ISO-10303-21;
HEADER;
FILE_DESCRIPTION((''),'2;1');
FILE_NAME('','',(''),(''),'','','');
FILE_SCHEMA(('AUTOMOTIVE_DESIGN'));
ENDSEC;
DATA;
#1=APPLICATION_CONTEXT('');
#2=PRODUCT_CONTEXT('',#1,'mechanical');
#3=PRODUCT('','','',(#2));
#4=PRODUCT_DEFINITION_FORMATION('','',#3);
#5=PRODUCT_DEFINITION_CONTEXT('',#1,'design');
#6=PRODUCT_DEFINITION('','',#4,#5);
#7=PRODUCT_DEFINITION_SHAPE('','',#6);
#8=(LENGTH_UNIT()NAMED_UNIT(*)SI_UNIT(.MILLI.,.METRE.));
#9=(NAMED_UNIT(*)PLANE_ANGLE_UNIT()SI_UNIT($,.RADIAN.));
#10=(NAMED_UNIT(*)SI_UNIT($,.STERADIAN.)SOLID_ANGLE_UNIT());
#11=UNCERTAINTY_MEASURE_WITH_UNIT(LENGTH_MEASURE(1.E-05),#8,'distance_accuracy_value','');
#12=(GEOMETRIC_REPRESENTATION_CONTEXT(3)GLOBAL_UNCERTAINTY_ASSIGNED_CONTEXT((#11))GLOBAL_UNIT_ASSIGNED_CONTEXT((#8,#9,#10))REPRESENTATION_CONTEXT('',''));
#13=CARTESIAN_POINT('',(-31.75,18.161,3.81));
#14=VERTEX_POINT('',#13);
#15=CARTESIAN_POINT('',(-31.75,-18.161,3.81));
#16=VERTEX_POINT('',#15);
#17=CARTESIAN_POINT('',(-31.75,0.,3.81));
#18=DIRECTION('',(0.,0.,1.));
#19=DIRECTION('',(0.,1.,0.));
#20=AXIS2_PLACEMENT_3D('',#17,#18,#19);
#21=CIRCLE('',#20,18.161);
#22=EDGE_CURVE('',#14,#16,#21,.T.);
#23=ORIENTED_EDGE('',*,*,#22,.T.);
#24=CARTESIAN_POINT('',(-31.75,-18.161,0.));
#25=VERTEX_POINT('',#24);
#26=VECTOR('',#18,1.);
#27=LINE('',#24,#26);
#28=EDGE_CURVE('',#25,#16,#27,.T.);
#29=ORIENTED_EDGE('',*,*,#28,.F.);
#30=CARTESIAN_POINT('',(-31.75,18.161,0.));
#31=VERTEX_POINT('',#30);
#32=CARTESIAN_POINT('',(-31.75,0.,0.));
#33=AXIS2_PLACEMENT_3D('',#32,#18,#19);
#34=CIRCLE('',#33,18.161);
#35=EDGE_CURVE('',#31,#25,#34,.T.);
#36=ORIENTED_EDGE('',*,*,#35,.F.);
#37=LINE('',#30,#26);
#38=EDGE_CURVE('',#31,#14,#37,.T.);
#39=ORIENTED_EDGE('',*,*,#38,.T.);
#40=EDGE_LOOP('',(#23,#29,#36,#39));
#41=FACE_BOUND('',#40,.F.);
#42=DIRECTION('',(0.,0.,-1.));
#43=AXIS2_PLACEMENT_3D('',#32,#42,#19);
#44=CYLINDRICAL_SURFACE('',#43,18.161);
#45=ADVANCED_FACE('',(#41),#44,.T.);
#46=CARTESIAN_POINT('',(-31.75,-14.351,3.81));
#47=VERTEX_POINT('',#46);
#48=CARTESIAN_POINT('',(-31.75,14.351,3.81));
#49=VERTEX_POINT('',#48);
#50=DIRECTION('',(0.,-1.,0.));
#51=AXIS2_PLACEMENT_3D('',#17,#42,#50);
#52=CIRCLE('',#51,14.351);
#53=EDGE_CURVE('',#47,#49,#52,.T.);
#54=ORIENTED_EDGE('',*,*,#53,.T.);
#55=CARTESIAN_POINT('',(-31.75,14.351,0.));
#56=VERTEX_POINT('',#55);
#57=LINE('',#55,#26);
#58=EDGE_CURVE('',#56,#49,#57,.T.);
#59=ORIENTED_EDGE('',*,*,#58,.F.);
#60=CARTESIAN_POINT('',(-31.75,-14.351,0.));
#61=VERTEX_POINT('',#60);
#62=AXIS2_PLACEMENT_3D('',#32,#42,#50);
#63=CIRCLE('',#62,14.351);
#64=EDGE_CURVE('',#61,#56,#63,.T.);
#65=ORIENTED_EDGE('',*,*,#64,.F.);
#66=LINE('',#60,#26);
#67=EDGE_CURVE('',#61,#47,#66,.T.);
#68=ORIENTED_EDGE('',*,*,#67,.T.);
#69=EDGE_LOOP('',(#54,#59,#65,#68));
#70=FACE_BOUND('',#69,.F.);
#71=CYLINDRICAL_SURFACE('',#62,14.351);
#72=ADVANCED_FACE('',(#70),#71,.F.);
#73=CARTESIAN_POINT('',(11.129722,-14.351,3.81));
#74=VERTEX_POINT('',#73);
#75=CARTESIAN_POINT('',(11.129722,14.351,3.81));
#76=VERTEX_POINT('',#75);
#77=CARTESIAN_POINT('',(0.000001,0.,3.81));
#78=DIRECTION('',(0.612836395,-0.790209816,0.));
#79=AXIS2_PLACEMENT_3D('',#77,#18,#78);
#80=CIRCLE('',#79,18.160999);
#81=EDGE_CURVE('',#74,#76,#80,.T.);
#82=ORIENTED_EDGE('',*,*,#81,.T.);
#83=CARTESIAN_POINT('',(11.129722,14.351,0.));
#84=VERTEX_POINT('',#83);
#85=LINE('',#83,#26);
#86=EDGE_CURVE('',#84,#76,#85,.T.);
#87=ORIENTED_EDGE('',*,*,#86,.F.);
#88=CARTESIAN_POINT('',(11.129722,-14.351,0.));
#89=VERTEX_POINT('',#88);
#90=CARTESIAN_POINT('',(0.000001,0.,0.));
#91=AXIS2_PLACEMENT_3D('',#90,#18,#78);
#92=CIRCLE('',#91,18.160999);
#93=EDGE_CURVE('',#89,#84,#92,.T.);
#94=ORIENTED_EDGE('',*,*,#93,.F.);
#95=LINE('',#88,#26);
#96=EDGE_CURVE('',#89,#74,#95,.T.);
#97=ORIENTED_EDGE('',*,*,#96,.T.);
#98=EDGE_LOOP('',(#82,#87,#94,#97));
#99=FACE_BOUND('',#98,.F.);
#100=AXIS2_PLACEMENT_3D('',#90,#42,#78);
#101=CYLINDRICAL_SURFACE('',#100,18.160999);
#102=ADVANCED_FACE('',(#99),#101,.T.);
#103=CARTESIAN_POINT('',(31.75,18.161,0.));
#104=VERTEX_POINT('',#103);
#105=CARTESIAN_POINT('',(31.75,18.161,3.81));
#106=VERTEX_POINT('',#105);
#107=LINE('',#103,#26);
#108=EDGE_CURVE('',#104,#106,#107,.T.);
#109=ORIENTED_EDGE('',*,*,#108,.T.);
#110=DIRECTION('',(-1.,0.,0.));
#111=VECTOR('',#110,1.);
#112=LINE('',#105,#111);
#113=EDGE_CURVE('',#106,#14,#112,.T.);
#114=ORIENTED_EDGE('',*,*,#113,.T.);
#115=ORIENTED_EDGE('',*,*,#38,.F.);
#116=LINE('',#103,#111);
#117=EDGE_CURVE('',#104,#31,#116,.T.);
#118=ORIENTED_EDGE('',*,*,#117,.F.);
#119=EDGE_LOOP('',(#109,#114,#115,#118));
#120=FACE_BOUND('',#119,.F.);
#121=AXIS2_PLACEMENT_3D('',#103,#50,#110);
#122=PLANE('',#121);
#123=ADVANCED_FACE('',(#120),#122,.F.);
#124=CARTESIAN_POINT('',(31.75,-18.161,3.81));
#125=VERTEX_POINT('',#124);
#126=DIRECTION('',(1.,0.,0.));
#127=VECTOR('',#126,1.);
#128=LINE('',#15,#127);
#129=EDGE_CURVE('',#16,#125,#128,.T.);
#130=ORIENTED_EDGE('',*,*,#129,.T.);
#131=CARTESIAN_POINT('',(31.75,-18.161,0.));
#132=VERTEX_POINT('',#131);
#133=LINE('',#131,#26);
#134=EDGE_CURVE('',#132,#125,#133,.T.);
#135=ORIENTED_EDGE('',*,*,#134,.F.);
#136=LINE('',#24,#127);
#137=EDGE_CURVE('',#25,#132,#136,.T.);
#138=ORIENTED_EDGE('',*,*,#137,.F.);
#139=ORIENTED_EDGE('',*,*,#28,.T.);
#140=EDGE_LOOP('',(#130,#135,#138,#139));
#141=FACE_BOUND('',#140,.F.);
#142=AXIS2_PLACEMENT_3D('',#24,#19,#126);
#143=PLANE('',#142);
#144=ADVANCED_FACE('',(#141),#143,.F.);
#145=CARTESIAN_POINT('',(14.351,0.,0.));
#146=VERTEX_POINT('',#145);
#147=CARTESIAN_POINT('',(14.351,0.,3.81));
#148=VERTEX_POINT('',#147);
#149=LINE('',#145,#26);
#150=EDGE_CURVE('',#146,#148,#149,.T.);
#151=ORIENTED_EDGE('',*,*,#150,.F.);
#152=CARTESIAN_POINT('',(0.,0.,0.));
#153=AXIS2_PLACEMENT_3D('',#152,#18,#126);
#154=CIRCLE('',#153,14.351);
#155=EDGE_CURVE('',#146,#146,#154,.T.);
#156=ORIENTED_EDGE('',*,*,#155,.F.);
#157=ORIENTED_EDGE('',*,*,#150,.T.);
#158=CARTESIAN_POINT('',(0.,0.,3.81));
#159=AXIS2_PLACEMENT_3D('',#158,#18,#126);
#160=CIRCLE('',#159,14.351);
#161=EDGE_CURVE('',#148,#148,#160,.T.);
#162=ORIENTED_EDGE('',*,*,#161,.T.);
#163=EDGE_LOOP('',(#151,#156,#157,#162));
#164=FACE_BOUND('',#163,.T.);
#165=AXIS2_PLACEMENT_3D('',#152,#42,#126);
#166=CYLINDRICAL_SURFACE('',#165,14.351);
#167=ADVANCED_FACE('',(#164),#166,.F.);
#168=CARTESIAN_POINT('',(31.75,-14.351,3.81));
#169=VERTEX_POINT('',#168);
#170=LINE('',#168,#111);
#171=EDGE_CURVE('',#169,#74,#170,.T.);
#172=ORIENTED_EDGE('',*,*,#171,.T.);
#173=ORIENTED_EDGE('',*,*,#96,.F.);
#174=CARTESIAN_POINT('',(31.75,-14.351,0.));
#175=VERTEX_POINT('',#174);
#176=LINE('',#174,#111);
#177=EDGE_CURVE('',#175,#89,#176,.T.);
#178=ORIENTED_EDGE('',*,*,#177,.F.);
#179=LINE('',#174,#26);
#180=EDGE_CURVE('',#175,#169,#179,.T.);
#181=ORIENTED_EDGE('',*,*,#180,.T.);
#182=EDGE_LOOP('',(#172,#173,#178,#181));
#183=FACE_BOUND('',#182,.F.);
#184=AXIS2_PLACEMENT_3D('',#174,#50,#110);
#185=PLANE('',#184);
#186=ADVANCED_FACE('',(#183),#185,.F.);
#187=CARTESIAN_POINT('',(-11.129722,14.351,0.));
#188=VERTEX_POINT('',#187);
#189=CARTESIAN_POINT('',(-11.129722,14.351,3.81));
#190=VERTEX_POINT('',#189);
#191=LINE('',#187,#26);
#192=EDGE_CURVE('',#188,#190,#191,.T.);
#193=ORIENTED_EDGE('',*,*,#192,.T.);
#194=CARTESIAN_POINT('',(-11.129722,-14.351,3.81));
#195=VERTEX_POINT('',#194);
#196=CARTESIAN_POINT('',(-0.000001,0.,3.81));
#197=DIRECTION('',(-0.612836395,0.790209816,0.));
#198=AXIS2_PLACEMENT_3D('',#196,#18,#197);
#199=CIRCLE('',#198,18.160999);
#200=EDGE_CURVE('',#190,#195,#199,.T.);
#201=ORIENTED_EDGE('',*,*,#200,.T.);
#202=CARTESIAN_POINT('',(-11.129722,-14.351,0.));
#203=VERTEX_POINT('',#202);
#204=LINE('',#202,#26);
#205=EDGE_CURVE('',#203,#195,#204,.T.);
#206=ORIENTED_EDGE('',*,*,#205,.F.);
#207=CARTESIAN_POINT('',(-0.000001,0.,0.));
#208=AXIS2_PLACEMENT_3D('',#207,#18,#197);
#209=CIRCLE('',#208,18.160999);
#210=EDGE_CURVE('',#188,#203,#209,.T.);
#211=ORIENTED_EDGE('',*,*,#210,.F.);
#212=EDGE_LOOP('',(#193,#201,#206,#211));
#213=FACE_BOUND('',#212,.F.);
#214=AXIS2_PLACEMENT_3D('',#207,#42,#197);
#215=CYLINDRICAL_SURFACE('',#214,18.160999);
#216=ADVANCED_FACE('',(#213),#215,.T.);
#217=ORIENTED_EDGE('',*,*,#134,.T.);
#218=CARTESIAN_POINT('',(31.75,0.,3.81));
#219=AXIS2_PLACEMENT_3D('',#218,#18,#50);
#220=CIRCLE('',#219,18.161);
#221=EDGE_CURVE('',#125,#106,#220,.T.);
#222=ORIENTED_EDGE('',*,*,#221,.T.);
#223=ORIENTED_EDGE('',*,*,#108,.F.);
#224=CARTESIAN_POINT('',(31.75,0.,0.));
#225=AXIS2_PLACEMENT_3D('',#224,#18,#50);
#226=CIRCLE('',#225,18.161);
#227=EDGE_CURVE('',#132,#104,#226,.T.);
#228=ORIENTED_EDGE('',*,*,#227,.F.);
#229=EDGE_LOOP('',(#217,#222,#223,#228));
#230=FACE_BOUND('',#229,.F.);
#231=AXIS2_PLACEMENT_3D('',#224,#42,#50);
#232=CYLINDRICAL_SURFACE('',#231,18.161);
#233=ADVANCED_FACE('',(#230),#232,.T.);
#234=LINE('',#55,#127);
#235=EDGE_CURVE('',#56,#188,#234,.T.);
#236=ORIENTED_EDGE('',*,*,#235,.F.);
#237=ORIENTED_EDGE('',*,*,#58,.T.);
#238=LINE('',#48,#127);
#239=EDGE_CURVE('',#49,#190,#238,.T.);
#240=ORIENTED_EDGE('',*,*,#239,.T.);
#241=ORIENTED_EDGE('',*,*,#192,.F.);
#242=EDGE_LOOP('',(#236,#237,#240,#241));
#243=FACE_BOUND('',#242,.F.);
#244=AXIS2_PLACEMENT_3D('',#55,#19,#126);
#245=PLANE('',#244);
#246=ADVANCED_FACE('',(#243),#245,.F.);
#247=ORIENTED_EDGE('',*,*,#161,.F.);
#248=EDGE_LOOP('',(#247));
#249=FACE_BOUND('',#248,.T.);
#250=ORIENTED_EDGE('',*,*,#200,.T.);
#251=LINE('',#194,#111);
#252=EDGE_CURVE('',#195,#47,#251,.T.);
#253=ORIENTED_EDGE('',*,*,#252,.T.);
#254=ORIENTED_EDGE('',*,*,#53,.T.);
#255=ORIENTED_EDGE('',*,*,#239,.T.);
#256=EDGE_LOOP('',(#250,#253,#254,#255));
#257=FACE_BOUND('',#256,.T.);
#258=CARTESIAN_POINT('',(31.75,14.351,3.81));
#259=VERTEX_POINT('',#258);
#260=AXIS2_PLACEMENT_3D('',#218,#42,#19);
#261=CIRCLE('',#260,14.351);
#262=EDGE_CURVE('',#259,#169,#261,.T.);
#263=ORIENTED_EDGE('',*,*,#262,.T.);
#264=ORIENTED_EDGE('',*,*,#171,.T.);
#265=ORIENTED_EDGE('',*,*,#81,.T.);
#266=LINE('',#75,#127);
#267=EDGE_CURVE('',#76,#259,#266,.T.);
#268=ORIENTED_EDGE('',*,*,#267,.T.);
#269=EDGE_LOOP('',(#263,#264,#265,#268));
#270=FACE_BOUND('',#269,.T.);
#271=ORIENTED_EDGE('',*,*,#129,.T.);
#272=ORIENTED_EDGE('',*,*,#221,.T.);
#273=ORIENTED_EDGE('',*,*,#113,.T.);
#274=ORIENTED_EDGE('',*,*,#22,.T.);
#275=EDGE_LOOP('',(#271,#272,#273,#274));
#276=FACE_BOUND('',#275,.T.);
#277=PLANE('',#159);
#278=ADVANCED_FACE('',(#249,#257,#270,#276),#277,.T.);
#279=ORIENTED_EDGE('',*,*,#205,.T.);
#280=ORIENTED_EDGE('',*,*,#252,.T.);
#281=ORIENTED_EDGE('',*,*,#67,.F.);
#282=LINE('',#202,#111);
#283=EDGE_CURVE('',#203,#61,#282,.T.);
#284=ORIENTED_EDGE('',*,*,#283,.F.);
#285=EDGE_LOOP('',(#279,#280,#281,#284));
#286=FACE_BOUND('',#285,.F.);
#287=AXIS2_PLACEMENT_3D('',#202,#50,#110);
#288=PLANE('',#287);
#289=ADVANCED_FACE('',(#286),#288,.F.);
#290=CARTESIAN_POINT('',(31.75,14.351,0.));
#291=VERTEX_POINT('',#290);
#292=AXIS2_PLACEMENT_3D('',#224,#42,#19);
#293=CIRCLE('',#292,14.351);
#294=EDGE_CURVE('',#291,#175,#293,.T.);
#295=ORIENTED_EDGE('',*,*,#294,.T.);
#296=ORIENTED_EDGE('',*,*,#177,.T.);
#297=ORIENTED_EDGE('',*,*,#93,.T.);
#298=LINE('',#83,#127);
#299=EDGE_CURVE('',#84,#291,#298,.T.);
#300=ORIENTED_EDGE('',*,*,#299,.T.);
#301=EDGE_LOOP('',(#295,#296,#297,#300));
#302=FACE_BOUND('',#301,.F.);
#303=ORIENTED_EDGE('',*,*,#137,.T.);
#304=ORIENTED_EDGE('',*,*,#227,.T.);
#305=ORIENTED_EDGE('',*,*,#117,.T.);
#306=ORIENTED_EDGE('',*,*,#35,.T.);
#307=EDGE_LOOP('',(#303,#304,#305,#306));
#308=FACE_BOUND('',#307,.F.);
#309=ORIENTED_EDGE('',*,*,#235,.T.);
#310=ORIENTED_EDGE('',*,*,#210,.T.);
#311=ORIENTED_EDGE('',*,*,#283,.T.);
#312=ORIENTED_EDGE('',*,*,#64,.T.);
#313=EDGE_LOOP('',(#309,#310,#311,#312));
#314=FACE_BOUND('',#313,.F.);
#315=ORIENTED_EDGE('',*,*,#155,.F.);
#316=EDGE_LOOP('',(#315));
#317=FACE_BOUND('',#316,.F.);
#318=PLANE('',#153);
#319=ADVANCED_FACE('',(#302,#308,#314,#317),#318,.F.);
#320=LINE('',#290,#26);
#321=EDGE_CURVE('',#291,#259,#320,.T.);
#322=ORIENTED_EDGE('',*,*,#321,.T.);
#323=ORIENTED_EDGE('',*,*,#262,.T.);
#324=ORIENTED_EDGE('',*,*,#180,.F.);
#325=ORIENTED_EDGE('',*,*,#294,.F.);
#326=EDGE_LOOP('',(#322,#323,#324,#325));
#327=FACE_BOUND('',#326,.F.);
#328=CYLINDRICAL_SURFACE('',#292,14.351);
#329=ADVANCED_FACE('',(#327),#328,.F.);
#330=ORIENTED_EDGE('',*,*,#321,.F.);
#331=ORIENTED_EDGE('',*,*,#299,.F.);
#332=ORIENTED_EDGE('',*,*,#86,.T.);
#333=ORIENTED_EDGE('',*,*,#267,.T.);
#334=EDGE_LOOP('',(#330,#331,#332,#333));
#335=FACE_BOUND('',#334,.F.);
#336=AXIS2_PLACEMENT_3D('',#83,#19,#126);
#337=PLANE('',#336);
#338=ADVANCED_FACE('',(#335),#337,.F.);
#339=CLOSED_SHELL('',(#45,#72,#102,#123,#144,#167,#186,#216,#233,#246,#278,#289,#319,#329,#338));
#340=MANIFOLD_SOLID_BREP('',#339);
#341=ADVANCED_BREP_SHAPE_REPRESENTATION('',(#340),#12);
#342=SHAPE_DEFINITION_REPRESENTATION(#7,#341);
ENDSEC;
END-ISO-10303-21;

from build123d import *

# Parameters (mm, degrees)
F0_R     = 14.351
F1_DEPTH = 3.81


with BuildPart() as f1:
    # F0 (on Top) → F1 (new body)
    with BuildSketch(Plane.XY):
        with BuildLine():
            Line((31.75, 14.351), (31.75, 18.161))
            Line((31.75, 18.161), (-31.75, 18.161))
            Line((-31.75, 18.161), (-31.75, 14.351))
            Line((-31.75, 14.351), (-11.129722, 14.351))
            ThreePointArc((-11.129722, 14.351), (-18.161, 0), (-11.129722, -14.351))
            Line((-11.129722, -14.351), (-31.75, -14.351))
            Line((-31.75, -14.351), (-31.75, -18.161))
            Line((-31.75, -18.161), (31.75, -18.161))
            Line((31.75, -18.161), (31.75, -14.351))
            Line((31.75, -14.351), (11.129722, -14.351))
            ThreePointArc((11.129722, -14.351), (18.161, 0), (11.129722, 14.351))
            Line((11.129722, 14.351), (31.75, 14.351))
        make_face()
        Circle(F0_R, mode=Mode.SUBTRACT)
        with BuildLine():
            ThreePointArc((31.75, -18.161), (49.911, 0), (31.75, 18.161))
            Line((31.75, 18.161), (31.75, 14.351))
            ThreePointArc((31.75, 14.351), (46.101, 0), (31.75, -14.351))
            Line((31.75, -14.351), (31.75, -18.161))
        make_face()
        with BuildLine():
            Line((-31.75, 14.351), (-31.75, 18.161))
            ThreePointArc((-31.75, 18.161), (-49.911, 0), (-31.75, -18.161))
            Line((-31.75, -18.161), (-31.75, -14.351))
            ThreePointArc((-31.75, -14.351), (-46.101, 0), (-31.75, 14.351))
        make_face()
    extrude(amount=F1_DEPTH)


solid = f1.part
